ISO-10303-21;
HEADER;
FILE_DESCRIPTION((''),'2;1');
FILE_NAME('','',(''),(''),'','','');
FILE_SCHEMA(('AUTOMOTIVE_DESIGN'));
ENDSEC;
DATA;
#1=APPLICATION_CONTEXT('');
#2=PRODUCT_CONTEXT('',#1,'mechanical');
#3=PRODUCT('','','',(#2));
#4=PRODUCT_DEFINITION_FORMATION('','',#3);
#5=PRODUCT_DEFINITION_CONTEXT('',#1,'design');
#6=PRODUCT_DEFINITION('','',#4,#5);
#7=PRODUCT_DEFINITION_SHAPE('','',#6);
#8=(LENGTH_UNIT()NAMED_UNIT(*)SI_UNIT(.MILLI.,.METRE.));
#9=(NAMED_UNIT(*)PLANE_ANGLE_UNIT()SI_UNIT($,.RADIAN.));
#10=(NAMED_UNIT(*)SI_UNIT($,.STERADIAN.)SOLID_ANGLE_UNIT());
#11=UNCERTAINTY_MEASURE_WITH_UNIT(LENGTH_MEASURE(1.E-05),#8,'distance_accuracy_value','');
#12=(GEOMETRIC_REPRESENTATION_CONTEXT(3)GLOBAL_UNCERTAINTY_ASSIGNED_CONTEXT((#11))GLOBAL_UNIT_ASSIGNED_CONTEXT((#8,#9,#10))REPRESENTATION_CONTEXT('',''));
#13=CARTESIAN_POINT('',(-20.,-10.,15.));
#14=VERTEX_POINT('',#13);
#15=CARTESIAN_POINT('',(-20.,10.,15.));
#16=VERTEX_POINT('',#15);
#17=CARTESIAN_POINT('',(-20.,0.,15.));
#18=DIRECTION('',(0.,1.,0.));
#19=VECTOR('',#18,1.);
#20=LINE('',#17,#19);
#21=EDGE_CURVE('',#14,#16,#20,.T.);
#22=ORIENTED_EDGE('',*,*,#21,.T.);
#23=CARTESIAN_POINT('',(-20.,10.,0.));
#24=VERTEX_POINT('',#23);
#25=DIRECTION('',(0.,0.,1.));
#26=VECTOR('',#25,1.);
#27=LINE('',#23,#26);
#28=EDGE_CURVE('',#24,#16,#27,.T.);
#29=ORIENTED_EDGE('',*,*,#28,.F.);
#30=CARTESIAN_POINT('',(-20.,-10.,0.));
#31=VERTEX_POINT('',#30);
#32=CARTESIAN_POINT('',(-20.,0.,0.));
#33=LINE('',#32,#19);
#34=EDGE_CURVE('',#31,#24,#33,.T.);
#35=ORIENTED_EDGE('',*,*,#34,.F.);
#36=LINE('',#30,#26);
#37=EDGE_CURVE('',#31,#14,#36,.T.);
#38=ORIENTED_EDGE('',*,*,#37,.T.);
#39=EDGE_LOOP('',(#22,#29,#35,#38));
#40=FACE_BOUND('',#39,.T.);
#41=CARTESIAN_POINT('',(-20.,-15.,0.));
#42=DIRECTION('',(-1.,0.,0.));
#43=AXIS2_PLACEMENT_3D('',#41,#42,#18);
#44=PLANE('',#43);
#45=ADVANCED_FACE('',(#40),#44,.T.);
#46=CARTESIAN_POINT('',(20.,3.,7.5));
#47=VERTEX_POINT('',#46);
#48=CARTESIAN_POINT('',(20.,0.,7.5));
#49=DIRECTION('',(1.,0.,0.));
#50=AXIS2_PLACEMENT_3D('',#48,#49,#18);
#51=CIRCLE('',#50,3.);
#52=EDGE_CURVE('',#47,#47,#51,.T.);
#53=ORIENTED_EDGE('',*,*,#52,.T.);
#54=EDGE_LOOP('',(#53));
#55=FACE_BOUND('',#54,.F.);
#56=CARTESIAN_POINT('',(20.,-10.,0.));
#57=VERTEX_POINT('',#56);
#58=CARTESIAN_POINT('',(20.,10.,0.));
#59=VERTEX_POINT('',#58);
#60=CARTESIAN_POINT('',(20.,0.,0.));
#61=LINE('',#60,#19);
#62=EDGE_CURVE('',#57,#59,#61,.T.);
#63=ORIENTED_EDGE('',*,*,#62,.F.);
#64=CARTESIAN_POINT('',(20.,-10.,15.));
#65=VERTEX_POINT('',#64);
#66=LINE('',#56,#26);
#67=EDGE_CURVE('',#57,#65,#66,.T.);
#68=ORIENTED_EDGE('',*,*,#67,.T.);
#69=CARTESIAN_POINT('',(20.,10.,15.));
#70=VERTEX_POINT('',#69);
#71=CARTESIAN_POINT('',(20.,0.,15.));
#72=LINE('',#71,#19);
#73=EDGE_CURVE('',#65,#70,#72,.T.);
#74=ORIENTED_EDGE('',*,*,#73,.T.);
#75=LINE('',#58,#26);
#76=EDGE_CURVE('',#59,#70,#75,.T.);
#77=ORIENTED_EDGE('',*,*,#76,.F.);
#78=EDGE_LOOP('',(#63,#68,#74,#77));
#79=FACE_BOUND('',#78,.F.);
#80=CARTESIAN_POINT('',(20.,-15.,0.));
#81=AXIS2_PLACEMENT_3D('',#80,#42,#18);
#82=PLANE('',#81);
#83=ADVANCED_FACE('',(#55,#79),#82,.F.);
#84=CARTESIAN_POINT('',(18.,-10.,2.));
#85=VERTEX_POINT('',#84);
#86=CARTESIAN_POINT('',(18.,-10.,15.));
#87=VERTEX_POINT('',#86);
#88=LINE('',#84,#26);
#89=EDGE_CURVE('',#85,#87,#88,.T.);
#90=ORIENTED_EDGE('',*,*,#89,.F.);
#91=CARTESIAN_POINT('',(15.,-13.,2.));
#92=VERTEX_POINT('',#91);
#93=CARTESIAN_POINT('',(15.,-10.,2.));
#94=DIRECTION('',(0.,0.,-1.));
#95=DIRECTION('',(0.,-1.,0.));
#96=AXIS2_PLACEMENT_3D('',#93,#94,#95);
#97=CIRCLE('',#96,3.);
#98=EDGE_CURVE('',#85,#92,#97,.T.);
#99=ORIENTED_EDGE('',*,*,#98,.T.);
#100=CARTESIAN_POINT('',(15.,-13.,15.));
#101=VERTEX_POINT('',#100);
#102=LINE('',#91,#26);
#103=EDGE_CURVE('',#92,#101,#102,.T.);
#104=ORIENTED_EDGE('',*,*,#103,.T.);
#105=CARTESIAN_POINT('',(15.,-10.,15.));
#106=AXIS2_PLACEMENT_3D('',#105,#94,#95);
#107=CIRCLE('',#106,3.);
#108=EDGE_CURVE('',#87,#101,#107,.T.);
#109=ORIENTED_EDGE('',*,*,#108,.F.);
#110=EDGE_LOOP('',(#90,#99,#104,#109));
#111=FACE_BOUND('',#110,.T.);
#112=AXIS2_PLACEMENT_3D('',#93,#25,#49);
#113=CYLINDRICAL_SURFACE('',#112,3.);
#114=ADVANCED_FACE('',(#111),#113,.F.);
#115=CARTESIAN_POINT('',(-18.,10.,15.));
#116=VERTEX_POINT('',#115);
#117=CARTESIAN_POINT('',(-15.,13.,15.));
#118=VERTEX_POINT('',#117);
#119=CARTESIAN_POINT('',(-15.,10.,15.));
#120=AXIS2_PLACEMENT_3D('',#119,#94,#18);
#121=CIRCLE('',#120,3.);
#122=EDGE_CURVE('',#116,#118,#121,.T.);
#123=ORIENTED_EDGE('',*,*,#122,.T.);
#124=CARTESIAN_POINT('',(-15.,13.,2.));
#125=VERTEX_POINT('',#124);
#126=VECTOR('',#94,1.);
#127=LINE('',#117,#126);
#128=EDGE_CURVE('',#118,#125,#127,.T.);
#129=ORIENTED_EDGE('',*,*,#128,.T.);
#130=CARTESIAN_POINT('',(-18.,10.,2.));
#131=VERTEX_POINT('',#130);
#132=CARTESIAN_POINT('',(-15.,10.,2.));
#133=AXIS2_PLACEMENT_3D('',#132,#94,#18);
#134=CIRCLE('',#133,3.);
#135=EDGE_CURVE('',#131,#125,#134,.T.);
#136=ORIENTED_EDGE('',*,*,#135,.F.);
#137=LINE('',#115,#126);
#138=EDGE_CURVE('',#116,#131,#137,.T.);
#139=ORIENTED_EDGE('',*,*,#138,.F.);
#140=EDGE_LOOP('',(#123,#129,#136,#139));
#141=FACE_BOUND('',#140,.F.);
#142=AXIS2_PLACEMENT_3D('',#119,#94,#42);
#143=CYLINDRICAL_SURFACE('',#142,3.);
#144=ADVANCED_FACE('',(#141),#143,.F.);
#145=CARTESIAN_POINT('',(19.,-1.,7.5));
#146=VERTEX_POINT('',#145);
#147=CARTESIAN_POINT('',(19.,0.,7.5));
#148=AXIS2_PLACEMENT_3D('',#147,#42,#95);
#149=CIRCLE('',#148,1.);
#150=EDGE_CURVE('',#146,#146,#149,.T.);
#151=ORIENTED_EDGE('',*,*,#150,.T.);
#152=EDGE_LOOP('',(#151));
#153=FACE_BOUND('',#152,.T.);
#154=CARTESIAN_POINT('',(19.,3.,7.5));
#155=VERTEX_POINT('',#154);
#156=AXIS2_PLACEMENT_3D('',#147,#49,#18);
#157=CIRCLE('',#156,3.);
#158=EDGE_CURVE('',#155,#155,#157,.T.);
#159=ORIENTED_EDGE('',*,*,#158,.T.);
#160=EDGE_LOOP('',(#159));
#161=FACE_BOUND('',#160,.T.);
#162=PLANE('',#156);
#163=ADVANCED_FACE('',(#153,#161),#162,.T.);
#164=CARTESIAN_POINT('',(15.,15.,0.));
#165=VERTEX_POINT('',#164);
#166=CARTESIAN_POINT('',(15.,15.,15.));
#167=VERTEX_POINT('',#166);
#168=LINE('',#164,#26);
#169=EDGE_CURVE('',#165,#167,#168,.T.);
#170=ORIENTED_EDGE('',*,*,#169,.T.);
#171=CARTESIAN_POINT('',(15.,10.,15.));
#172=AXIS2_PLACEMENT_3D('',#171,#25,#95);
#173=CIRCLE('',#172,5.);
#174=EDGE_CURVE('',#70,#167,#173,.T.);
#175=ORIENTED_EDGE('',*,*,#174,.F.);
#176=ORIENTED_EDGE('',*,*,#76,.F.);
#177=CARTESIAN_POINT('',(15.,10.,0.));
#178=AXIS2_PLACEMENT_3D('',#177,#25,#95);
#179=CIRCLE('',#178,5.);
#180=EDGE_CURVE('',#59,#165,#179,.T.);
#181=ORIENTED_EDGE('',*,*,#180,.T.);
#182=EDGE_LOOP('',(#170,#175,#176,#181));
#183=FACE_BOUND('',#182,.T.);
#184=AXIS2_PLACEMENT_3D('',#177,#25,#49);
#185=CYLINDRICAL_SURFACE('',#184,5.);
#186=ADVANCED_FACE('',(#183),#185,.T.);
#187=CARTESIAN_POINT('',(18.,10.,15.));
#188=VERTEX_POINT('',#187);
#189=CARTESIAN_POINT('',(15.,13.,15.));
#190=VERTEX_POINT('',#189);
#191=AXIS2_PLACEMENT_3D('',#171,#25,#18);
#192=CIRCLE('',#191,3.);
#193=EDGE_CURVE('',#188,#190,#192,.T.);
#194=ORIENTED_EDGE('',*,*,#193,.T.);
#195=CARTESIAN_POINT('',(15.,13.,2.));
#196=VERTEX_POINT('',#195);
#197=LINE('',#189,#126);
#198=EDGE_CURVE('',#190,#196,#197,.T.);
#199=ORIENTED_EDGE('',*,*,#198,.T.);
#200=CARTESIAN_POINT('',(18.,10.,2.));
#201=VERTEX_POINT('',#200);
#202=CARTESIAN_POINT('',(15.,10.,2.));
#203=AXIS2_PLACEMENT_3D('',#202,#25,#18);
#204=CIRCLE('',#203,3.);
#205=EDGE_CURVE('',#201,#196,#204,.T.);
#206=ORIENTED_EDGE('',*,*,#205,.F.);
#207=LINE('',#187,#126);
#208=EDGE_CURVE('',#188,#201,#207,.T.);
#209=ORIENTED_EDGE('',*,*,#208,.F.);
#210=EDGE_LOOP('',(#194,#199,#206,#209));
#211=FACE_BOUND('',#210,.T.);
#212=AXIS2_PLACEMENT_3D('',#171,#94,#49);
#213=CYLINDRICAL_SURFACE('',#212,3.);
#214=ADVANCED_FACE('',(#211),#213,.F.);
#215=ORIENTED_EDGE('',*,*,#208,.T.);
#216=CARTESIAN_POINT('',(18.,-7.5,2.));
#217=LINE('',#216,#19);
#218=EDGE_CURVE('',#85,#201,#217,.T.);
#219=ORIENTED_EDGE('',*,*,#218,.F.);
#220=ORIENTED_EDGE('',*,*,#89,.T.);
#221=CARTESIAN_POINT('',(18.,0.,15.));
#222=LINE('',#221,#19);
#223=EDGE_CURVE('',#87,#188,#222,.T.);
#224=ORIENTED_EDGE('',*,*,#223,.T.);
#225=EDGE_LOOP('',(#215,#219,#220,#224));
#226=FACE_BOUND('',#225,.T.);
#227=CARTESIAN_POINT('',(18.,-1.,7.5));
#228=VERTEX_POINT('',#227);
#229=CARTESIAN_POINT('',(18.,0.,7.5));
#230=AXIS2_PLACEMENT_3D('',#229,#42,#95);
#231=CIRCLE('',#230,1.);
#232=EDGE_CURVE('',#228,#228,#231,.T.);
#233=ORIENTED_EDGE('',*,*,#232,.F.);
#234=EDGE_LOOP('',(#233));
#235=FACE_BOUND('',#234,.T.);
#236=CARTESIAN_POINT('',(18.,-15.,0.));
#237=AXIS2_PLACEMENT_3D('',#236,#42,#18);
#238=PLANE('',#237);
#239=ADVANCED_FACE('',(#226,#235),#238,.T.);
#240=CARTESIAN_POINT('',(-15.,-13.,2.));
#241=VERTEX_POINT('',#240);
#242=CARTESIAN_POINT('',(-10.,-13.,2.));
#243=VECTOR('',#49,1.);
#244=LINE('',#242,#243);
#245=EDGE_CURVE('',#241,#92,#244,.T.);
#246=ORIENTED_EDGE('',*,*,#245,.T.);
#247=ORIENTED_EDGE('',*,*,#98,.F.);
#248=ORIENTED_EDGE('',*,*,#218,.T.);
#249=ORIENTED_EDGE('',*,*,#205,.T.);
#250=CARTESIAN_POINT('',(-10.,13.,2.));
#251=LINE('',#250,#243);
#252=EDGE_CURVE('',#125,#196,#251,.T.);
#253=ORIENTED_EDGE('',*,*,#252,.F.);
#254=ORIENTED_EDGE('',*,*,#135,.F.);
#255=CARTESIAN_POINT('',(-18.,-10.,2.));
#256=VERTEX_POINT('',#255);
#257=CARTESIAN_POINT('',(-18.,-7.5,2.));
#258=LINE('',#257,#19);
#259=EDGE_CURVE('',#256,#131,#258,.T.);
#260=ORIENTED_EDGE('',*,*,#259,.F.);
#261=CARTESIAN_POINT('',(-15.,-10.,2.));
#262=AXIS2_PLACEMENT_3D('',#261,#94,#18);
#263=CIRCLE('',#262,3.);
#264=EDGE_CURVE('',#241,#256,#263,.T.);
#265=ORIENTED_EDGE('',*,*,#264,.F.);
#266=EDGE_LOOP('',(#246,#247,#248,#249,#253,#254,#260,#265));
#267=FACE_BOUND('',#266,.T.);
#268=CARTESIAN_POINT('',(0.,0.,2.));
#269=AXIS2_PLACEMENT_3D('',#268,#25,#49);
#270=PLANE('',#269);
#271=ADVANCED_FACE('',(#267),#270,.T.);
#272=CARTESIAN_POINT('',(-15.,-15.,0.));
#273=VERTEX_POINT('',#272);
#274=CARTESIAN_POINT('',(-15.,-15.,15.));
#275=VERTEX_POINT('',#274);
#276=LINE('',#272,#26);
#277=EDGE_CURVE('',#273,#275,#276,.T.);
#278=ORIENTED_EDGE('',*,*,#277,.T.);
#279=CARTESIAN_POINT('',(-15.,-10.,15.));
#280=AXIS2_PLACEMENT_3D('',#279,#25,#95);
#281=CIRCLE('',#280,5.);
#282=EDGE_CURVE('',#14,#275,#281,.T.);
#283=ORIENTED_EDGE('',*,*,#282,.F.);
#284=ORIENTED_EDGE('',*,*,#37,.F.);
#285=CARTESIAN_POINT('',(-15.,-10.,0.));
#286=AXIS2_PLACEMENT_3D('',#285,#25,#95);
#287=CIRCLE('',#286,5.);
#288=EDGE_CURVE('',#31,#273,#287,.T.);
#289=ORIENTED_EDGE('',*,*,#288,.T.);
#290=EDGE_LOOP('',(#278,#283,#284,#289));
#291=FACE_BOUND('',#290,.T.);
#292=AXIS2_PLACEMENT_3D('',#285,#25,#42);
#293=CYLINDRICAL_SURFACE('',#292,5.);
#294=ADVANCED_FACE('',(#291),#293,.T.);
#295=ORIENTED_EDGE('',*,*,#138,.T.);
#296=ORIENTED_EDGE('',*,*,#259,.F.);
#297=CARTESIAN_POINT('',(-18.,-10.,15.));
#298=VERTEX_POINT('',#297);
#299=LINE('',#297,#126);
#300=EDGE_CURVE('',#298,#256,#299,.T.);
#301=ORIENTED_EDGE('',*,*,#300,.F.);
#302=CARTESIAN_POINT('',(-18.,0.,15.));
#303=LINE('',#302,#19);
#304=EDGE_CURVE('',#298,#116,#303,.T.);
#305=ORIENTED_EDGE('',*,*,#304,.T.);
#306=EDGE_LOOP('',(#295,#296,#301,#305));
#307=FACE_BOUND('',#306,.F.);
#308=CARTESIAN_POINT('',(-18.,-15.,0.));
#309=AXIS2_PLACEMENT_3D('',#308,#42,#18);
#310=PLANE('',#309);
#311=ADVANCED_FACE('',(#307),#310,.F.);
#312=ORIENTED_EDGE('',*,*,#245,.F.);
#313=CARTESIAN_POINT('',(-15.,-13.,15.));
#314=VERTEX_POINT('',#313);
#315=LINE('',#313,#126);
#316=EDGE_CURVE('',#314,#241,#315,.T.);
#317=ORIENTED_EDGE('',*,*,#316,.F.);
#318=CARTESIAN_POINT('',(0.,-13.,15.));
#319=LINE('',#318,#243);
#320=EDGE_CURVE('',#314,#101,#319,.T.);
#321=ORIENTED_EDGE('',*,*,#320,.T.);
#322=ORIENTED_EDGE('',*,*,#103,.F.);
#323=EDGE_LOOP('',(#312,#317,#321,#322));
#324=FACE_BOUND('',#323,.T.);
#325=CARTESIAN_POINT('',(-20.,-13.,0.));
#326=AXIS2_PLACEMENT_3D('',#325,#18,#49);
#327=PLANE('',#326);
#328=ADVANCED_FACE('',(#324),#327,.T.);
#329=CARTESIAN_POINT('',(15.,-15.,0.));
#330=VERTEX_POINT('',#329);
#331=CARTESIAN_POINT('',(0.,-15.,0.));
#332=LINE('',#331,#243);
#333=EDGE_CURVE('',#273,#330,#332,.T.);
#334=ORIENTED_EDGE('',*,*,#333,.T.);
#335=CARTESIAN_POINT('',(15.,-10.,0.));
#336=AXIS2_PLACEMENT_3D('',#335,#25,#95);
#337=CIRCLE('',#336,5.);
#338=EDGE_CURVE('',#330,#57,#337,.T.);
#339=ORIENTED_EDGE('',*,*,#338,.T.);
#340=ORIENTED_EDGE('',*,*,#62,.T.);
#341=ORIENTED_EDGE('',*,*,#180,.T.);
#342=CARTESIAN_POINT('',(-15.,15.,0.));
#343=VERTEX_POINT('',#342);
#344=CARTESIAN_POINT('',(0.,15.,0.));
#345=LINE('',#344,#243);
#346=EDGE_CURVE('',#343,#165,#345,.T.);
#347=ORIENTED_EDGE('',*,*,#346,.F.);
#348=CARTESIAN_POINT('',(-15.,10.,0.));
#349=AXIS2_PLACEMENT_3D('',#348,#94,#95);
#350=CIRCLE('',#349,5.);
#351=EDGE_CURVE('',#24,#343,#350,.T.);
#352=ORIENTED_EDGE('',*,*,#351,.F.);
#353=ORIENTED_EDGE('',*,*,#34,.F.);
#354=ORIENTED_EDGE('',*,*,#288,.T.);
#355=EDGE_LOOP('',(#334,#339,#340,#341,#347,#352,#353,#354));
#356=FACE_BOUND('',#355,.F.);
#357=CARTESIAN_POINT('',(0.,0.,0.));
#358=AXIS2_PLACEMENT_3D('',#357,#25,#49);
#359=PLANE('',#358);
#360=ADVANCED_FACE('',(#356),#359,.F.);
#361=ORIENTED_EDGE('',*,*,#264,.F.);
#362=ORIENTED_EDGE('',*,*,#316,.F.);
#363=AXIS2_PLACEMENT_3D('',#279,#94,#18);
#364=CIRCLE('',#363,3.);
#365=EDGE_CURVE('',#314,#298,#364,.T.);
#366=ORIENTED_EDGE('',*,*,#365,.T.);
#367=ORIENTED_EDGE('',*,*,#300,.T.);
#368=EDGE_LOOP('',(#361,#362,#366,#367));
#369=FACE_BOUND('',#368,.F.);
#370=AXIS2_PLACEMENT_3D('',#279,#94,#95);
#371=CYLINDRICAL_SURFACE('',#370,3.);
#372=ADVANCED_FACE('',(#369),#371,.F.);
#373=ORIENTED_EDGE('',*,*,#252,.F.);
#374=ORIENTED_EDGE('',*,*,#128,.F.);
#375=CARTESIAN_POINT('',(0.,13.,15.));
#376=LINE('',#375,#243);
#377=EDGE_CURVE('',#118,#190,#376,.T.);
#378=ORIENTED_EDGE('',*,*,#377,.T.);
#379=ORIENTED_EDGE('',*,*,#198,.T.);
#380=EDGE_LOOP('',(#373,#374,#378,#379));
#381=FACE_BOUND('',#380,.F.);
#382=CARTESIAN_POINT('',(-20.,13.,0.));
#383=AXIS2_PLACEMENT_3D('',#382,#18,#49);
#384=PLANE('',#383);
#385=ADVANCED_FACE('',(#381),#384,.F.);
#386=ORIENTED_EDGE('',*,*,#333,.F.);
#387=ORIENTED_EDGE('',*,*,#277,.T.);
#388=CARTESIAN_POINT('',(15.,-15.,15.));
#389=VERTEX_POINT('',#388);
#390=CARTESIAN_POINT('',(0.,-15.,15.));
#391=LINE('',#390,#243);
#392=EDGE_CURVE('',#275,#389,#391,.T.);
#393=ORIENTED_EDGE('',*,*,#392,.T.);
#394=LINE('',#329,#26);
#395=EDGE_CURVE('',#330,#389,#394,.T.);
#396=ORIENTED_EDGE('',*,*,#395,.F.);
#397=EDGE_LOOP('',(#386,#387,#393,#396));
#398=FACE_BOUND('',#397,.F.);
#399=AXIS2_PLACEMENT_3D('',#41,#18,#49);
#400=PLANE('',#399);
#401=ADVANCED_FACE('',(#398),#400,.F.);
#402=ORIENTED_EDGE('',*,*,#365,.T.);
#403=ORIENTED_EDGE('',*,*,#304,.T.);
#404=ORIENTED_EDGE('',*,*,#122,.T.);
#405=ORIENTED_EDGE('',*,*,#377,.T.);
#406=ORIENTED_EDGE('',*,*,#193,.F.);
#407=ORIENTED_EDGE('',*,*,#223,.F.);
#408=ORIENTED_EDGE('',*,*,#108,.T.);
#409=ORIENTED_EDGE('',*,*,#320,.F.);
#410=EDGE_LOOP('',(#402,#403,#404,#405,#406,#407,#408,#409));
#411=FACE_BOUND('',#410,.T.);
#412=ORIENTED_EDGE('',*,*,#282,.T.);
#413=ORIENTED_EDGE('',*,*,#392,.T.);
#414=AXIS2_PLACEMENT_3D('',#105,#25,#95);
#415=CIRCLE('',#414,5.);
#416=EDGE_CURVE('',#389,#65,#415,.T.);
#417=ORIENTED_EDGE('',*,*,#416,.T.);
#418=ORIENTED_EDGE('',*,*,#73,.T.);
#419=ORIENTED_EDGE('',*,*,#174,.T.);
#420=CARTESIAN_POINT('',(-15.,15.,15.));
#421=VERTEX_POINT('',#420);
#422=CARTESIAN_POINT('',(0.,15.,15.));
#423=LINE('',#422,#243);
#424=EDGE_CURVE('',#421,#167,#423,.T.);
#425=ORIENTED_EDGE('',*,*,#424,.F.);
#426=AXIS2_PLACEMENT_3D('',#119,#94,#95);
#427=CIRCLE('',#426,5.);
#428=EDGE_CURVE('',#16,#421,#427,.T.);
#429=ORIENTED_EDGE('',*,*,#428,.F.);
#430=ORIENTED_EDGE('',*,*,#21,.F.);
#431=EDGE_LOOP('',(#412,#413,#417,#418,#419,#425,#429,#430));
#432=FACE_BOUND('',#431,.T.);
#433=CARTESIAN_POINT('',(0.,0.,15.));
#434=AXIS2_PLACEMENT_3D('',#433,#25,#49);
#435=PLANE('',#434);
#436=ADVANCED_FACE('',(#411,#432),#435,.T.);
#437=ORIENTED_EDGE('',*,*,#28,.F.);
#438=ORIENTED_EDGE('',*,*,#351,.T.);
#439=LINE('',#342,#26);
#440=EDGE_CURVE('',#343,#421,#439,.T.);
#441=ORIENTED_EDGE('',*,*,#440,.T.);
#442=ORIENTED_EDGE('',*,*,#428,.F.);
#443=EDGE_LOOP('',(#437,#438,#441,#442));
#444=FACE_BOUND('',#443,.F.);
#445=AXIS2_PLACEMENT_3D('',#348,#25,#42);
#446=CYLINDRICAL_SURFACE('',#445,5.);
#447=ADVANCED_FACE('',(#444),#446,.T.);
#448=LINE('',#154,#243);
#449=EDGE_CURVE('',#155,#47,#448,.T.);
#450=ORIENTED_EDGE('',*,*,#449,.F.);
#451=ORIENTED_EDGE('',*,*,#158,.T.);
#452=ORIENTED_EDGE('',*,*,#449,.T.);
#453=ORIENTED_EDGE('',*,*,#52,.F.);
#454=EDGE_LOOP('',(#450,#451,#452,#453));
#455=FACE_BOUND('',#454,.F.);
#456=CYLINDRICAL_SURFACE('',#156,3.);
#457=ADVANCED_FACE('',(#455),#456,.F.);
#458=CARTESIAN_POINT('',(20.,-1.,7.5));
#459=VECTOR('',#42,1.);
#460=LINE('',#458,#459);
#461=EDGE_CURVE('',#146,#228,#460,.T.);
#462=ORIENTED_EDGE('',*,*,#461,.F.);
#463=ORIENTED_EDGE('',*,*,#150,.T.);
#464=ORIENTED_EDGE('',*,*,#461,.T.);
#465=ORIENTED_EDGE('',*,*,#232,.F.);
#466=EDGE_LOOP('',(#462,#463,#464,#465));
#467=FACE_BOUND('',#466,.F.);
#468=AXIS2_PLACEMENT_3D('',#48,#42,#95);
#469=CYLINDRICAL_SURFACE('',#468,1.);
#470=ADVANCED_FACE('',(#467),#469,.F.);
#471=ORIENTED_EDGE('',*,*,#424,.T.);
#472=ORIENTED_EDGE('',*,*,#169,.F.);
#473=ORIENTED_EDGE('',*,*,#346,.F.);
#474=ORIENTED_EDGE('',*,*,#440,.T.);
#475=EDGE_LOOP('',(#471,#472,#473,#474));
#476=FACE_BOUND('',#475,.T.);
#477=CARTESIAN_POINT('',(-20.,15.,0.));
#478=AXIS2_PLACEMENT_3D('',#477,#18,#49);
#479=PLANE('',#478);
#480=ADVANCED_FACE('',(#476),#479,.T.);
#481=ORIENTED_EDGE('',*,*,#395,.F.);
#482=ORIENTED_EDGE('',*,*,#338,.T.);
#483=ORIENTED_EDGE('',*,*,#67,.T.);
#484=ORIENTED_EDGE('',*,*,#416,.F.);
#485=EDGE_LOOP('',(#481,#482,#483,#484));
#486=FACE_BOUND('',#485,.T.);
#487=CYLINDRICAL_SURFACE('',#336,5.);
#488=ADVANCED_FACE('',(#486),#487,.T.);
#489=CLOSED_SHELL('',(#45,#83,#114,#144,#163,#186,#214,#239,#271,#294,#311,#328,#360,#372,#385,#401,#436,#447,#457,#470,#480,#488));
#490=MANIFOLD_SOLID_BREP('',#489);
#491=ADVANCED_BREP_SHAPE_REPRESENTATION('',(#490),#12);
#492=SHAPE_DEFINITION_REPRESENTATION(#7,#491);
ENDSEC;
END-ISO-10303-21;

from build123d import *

# Parameters (mm, degrees)
F0_W           = 40
F0_H           = 30
F1_DEPTH       = 15
F2_T           = -2
F3_R           = 5
F4_R           = 3
F6_D           = 2
F6_DEPTH       = 12
F6_CBORE_D     = 6
F6_CBORE_DEPTH = 1
F6_TIP         = 0.600860619


with BuildPart() as f1:
    # F0 (on Top) → F1 (new body)
    with BuildSketch(Plane.XY):
        Rectangle(F0_W, F0_H)
    extrude(amount=F1_DEPTH)

    # F2
    f2_openings = [f1.faces().sort_by_distance(p)[0] for p in [
        (0, 0, 15),
    ]]
    offset(amount=F2_T, openings=f2_openings)

    # F3
    f3_edges = [f1.edges().sort_by_distance(p)[0] for p in [
        (20, -15, 7.5),
        (20, 15, 7.5),
        (-20, -15, 7.5),
        (-20, 15, 7.5),
    ]]
    fillet(f3_edges, radius=F3_R)

    # F4
    f4_edges = [f1.edges().sort_by_distance(p)[0] for p in [
        (-18, 13, 8.5),
        (-18, -13, 8.5),
        (18, 13, 8.5),
        (18, -13, 8.5),
    ]]
    fillet(f4_edges, radius=F4_R)

    # F6
    with Locations(Plane.YZ.offset(20)):
        with Locations((0, 7.5)):
            CounterBoreHole(F6_D / 2, F6_CBORE_D / 2, F6_CBORE_DEPTH, depth=F6_DEPTH)
            with Locations((0, 0, -(F6_DEPTH + F6_TIP / 2))):  # 118° drill point
                Cone(0, F6_D / 2, F6_TIP, mode=Mode.SUBTRACT)


solid = f1.part
